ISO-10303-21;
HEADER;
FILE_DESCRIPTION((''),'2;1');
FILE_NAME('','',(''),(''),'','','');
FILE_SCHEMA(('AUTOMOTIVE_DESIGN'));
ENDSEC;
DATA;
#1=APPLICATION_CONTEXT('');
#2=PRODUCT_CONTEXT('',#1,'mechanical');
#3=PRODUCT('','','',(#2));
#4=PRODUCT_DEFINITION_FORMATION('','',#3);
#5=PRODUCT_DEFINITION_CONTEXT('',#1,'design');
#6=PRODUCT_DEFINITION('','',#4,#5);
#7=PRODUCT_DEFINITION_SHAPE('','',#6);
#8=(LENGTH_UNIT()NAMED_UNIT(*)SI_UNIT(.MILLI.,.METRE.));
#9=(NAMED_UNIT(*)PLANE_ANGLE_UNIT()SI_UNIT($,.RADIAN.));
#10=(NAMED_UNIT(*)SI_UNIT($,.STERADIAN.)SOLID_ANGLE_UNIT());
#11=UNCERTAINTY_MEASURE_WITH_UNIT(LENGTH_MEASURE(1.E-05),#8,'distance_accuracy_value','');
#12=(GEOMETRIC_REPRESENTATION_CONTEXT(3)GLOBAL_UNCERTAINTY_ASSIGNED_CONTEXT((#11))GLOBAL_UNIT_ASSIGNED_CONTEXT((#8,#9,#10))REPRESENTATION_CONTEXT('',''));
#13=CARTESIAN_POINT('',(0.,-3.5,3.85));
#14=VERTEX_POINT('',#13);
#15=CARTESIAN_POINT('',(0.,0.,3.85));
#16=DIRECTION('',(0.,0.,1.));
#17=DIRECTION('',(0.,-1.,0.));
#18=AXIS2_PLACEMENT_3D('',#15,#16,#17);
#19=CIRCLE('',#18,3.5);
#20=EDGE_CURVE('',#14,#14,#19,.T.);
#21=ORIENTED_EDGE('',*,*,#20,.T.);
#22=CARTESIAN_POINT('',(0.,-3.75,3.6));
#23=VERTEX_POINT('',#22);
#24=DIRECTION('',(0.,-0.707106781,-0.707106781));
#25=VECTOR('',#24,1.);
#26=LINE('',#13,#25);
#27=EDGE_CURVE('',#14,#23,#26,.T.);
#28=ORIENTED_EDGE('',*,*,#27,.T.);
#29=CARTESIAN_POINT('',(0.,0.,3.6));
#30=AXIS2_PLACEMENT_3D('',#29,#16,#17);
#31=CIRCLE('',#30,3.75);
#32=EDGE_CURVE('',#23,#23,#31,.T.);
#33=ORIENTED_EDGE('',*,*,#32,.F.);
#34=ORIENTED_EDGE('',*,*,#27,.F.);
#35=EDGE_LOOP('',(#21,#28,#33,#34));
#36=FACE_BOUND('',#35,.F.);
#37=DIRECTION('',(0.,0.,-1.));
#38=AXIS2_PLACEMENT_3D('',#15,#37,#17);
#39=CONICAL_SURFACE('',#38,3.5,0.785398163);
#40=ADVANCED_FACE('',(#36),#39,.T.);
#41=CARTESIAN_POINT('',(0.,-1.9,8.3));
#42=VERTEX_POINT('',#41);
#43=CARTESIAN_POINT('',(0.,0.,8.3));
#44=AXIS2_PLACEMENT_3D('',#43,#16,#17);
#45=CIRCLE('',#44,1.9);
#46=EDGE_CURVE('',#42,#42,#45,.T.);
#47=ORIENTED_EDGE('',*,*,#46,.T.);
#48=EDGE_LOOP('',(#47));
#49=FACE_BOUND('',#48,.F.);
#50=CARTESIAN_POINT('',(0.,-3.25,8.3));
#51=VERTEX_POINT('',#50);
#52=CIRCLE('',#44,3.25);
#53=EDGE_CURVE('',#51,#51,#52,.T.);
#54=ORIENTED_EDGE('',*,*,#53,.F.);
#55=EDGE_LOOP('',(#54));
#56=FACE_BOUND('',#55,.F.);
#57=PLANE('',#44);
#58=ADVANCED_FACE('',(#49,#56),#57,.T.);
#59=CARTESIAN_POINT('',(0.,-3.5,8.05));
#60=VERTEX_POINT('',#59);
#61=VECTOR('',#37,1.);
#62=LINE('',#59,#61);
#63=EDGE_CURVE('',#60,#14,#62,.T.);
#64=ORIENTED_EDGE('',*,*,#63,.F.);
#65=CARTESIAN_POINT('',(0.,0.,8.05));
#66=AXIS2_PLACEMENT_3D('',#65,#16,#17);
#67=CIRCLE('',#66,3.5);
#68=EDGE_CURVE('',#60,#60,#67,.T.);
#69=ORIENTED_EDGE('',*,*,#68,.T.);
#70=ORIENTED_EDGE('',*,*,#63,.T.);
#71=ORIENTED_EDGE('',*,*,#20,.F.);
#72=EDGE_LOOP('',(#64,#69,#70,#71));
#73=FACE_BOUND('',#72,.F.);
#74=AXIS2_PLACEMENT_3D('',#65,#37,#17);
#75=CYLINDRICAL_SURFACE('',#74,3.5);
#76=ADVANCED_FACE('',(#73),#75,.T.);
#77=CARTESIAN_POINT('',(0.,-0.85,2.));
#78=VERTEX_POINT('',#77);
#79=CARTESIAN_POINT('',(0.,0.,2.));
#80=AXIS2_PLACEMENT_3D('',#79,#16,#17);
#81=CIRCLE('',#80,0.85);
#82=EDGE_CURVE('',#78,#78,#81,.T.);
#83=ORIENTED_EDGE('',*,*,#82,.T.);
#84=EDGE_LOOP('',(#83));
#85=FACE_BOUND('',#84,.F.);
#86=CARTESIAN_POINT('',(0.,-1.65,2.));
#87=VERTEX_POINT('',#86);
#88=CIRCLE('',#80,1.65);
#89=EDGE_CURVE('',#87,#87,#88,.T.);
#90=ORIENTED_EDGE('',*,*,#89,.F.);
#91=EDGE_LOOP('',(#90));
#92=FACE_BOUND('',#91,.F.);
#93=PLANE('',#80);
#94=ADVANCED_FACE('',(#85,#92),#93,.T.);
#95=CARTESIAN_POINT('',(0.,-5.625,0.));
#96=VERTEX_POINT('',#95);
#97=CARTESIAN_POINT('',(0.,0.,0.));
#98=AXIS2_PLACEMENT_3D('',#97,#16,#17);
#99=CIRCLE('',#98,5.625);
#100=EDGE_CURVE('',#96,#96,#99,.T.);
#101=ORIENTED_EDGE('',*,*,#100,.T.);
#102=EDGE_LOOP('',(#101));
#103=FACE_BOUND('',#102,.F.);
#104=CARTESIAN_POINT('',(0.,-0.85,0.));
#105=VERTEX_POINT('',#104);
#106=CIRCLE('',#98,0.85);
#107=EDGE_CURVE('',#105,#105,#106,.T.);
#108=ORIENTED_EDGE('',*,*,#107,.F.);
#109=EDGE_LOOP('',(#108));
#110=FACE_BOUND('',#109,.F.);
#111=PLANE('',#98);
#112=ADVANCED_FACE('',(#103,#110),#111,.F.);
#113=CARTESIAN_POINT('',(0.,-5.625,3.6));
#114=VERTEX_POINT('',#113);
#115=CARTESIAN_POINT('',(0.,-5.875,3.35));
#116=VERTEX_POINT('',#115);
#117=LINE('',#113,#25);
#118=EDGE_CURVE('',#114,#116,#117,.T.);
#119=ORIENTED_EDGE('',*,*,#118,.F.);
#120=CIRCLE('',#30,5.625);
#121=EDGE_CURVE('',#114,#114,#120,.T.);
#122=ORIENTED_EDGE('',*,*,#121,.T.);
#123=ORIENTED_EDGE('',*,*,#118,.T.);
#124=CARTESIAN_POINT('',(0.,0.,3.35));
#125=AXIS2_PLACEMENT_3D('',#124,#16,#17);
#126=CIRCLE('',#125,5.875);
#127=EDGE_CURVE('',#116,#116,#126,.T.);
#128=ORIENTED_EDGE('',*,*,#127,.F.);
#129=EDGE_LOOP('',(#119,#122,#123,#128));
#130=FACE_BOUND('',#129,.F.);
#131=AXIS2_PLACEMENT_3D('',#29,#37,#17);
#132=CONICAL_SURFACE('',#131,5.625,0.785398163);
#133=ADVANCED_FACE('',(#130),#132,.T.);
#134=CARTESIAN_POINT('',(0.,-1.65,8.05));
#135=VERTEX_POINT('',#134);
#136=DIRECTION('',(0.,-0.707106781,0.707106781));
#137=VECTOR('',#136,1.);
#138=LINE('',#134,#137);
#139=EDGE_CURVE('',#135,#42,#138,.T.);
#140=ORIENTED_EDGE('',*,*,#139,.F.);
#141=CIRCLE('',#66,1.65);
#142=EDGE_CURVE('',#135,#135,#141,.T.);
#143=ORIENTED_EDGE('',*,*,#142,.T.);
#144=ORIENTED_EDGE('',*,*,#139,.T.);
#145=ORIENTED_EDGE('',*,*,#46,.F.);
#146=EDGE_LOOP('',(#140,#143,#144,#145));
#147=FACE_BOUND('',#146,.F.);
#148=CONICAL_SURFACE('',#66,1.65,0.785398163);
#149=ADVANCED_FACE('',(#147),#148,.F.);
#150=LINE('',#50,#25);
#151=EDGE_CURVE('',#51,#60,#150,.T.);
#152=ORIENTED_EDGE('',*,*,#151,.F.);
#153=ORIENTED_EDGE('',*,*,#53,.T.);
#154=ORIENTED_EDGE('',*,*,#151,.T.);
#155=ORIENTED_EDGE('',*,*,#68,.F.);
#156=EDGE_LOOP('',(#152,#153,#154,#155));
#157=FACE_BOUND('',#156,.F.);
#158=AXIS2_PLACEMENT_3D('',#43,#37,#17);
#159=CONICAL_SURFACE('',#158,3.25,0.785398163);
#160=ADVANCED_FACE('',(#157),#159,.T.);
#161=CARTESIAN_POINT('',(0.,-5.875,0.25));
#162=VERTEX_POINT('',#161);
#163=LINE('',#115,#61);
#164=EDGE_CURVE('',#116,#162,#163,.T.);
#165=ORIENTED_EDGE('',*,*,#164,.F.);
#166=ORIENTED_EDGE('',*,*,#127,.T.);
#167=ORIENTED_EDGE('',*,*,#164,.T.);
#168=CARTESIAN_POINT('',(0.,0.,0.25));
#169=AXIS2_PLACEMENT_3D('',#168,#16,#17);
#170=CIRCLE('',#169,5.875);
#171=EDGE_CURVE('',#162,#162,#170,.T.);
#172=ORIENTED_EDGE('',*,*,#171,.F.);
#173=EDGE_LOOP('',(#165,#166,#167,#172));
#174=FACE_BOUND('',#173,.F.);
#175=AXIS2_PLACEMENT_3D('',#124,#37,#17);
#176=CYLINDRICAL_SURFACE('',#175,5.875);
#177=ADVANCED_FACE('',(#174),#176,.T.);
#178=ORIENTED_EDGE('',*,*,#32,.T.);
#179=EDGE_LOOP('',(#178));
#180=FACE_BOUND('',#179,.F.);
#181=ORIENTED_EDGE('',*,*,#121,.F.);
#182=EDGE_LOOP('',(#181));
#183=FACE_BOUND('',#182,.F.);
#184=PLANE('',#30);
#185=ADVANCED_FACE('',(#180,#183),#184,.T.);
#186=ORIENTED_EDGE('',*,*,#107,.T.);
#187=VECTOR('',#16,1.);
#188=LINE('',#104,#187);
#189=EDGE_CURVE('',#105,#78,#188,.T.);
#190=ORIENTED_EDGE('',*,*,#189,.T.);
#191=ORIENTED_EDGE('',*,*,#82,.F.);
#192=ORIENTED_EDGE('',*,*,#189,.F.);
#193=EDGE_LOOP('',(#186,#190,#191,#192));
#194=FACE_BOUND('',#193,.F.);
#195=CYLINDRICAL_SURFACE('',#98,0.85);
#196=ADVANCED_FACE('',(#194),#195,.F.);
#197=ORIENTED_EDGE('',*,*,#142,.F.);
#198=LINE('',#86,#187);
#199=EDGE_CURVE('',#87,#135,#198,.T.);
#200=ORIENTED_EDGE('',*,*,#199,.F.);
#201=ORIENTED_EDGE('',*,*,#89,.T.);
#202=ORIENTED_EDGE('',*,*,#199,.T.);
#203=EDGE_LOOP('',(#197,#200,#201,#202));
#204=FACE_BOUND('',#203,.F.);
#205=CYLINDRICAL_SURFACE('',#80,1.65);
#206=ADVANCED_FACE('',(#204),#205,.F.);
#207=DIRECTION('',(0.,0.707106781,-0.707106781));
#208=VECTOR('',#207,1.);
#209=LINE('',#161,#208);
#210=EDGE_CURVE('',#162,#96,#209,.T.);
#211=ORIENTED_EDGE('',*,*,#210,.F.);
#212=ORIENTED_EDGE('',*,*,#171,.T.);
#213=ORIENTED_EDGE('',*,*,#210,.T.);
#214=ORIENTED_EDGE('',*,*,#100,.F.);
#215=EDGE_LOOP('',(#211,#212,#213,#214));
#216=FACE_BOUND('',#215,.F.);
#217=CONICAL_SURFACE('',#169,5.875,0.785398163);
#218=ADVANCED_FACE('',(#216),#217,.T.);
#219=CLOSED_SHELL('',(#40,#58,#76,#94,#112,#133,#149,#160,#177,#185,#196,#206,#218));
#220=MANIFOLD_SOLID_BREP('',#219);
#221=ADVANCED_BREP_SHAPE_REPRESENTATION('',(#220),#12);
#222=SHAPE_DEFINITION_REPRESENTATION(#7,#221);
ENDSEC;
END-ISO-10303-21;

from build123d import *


with BuildPart() as part:
    # Sketch008 → Revolution (revolve)
    with BuildSketch(Plane.YZ):
        Polygon((-1.9, 8.3), (-3.25, 8.3), (-3.5, 8.05), (-3.5, 3.85), (-3.75, 3.6), (-5.625, 3.6), (-5.875, 3.35), (-5.875, 0.25), (-5.625, 0), (-0.85, 0), (-0.85, 2), (-1.65, 2), (-1.65, 8.05), align=None)
    revolve(axis=Axis((0, 0, 0), (0, 0, 1)))


solid = part.part
